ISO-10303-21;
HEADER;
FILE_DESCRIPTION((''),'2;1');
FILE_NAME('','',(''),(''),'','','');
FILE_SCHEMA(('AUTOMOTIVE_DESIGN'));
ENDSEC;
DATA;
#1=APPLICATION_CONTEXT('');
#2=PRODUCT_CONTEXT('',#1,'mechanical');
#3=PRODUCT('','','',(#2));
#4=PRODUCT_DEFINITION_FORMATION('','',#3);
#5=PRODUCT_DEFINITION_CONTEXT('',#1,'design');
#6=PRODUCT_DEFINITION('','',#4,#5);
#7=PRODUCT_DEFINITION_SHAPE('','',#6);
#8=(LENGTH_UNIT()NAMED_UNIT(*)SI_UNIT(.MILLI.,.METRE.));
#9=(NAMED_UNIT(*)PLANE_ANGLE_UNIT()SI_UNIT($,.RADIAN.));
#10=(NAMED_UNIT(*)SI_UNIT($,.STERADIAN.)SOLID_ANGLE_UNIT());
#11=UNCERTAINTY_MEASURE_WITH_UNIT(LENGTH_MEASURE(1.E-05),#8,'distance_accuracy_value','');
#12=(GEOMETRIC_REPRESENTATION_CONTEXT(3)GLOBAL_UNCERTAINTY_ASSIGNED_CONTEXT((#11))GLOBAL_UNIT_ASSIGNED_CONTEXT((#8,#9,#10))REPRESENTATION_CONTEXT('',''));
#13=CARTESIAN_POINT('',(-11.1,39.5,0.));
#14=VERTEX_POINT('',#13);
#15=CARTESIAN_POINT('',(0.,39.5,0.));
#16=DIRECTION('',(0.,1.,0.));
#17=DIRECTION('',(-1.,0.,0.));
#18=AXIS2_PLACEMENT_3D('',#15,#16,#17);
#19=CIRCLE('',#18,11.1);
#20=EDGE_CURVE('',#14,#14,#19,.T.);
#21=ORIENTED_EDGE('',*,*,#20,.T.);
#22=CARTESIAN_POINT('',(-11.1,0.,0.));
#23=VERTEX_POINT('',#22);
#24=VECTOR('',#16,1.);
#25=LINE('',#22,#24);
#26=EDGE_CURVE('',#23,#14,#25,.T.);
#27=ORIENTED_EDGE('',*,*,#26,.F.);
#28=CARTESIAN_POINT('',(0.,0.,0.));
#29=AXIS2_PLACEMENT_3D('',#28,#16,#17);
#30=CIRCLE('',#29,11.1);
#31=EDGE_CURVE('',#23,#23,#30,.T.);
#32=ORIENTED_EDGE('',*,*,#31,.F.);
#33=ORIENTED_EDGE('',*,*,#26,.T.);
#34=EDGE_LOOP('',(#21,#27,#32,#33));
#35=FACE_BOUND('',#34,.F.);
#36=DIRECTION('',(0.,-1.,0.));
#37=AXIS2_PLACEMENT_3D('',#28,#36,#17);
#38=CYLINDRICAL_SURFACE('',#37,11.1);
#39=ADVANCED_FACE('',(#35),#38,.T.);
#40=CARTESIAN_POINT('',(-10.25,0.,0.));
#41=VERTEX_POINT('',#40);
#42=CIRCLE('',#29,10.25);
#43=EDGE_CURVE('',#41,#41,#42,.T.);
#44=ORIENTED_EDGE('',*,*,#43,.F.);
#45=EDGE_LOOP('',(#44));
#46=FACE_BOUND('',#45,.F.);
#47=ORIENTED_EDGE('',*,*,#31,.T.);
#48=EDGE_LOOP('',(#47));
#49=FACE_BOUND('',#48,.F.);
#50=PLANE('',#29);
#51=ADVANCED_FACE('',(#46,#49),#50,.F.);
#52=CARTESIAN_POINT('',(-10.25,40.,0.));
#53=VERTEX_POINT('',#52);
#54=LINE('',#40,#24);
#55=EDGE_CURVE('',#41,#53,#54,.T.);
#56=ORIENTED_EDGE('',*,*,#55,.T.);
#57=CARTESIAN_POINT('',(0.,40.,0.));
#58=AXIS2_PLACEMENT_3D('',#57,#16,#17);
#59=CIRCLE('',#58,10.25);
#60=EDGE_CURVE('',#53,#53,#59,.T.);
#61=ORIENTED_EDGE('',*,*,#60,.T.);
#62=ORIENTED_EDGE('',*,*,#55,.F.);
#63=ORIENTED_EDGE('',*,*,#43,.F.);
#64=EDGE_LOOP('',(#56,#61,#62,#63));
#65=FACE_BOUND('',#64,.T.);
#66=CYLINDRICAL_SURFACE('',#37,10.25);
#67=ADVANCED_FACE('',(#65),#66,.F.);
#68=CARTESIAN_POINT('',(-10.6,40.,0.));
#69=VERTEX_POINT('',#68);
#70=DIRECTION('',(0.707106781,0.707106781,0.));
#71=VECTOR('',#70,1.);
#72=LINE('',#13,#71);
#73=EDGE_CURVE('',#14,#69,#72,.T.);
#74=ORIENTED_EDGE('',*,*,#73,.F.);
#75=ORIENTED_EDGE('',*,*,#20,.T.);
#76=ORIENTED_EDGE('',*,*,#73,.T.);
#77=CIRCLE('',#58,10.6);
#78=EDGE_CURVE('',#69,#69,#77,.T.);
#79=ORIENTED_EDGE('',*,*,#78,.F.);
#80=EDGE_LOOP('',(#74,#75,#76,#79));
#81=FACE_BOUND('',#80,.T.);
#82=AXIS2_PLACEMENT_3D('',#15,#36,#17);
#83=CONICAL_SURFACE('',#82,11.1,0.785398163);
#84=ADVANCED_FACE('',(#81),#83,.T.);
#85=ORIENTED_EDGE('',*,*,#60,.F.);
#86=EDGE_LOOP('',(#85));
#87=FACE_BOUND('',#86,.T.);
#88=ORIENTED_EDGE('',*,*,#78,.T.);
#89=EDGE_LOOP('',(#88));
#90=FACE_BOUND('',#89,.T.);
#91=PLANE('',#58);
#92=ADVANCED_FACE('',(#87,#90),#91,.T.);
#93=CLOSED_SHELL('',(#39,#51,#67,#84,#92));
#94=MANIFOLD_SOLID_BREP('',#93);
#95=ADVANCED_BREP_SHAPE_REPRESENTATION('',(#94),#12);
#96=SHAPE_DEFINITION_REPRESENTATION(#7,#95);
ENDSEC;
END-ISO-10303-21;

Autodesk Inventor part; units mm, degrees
ref_plane "YZ Plane" through (0, 0, 0) normal (1, 0, 0) x (0, 1, 0)
ref_plane "XZ Plane" through (0, 0, 0) normal (0, 1, 0) x (-1, 0, 0)
ref_plane "XY Plane" through (0, 0, 0) normal (0, 0, 1) x (1, 0, 0)
sketch "Szkic1" plane through (0, 0, 0) normal (0, 1, 0) x (-1, 0, 0)
  circle A0 centre (0, 0) radius 10.25
  circle A1 centre (0, 0) radius 11.1
  dimension "d0" = 20.5
  dimension "d1" = 22.2
extrude "Wyciągnięcie proste1" add sketch "Szkic1" along normal blind 40
chamfer "Faza1" distance 0.5 angle 45 1 edges at (11.1, 40, 0)
properties part number "pierscien nr 1 gorny v3"
